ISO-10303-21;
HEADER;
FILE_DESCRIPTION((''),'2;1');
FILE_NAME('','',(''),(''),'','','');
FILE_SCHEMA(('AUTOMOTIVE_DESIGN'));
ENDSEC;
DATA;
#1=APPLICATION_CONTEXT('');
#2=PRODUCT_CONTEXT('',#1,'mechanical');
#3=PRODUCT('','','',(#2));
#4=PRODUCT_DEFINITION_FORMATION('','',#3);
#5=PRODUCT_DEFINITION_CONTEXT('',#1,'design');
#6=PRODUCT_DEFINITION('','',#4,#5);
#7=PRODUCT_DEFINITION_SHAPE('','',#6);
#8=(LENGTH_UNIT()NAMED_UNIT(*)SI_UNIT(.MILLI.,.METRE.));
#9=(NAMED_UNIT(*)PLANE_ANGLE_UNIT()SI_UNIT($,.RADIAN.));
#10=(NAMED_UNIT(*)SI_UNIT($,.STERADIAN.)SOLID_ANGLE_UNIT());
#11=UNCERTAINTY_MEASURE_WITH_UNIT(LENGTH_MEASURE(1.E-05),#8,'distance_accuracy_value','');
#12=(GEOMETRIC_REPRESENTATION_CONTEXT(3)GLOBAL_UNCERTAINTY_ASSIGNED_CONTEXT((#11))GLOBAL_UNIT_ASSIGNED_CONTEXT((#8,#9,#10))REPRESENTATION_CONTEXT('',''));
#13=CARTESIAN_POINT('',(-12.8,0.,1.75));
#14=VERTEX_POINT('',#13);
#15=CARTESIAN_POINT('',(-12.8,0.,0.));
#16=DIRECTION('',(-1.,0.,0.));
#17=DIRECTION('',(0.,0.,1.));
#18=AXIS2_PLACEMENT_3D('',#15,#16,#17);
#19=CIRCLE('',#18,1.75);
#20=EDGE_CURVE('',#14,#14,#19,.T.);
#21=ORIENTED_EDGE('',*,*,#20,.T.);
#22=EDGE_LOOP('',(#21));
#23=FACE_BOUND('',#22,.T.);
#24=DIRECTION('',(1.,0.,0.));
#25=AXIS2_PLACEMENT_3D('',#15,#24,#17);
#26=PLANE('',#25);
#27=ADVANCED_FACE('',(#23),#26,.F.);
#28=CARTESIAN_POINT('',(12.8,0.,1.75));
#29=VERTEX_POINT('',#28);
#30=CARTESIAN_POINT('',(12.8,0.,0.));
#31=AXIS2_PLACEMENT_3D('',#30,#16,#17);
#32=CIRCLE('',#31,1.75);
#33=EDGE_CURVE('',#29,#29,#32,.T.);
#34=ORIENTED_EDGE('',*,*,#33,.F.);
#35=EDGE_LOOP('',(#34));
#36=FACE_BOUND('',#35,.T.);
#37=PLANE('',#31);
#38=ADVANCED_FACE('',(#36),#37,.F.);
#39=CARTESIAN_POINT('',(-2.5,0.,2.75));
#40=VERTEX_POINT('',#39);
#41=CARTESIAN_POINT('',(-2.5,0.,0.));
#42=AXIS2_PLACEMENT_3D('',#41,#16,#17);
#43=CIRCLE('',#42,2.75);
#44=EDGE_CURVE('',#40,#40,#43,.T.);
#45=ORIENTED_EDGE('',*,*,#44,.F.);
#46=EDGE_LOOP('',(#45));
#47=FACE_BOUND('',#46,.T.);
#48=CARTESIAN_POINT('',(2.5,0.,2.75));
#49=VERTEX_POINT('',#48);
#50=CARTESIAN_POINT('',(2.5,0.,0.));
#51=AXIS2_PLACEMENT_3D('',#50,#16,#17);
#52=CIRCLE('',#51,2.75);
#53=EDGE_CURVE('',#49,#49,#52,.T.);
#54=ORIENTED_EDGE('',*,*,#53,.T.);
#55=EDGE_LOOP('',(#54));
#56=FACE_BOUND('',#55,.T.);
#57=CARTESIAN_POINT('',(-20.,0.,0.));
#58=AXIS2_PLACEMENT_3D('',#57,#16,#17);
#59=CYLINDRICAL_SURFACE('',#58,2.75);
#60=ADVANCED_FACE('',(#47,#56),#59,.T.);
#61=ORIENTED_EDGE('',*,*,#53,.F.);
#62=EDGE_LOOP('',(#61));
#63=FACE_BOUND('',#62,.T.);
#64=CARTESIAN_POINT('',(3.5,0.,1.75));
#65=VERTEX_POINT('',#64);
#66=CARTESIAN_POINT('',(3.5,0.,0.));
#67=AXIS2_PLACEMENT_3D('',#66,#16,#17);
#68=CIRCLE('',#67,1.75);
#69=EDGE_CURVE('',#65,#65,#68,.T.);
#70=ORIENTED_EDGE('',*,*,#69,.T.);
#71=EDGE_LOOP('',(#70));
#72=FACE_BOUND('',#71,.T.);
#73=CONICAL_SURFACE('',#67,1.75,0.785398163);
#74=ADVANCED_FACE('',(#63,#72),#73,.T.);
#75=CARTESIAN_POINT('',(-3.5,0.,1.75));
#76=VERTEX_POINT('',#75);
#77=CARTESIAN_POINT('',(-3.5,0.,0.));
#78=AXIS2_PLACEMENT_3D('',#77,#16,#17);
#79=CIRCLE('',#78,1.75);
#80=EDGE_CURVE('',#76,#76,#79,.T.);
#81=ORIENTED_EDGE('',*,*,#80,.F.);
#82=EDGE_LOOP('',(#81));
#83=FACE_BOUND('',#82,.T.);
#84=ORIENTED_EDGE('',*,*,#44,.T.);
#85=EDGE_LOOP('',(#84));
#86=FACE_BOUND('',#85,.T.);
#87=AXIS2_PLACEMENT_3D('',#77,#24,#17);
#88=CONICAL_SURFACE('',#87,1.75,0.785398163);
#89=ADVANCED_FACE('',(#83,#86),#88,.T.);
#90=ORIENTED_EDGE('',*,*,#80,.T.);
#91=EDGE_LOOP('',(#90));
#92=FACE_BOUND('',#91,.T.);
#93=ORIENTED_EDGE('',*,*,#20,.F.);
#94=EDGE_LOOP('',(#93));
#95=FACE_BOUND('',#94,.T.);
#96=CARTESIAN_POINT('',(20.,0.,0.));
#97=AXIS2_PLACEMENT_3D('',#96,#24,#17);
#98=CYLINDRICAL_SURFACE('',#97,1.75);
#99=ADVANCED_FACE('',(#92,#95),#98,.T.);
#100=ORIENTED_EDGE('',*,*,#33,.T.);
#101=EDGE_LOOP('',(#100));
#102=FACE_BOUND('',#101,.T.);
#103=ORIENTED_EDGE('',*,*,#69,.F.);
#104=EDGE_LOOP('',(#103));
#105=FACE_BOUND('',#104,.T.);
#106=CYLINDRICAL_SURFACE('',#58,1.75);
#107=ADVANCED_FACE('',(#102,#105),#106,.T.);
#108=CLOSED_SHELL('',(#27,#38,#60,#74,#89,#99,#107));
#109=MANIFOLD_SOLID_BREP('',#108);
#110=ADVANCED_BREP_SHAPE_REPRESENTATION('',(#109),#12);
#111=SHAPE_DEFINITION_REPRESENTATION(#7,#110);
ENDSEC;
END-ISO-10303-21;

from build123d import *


with BuildPart() as part:
    # Sketch2 → Revolve1 (revolve)
    with BuildSketch(Plane.XY, mode=Mode.PRIVATE) as revolve1_sk:
        Polygon((12.8, 0), (12.8, 1.75), (3.5, 1.75), (2.5, 2.75), (0, 2.75), (0, 0), align=None)
    revolve1 = revolve(revolve1_sk.sketch.rotate(Axis((-20, 0, 0), (1, 0, 0)), 90), axis=Axis((-20, 0, 0), (1, 0, 0)))

    # Mirror1: Revolve1 across plane
    add(revolve1.mirror(Plane(origin=(0, 0, 0), x_dir=(0, 0, 1), z_dir=(1, 0, 0))))


solid = part.part
